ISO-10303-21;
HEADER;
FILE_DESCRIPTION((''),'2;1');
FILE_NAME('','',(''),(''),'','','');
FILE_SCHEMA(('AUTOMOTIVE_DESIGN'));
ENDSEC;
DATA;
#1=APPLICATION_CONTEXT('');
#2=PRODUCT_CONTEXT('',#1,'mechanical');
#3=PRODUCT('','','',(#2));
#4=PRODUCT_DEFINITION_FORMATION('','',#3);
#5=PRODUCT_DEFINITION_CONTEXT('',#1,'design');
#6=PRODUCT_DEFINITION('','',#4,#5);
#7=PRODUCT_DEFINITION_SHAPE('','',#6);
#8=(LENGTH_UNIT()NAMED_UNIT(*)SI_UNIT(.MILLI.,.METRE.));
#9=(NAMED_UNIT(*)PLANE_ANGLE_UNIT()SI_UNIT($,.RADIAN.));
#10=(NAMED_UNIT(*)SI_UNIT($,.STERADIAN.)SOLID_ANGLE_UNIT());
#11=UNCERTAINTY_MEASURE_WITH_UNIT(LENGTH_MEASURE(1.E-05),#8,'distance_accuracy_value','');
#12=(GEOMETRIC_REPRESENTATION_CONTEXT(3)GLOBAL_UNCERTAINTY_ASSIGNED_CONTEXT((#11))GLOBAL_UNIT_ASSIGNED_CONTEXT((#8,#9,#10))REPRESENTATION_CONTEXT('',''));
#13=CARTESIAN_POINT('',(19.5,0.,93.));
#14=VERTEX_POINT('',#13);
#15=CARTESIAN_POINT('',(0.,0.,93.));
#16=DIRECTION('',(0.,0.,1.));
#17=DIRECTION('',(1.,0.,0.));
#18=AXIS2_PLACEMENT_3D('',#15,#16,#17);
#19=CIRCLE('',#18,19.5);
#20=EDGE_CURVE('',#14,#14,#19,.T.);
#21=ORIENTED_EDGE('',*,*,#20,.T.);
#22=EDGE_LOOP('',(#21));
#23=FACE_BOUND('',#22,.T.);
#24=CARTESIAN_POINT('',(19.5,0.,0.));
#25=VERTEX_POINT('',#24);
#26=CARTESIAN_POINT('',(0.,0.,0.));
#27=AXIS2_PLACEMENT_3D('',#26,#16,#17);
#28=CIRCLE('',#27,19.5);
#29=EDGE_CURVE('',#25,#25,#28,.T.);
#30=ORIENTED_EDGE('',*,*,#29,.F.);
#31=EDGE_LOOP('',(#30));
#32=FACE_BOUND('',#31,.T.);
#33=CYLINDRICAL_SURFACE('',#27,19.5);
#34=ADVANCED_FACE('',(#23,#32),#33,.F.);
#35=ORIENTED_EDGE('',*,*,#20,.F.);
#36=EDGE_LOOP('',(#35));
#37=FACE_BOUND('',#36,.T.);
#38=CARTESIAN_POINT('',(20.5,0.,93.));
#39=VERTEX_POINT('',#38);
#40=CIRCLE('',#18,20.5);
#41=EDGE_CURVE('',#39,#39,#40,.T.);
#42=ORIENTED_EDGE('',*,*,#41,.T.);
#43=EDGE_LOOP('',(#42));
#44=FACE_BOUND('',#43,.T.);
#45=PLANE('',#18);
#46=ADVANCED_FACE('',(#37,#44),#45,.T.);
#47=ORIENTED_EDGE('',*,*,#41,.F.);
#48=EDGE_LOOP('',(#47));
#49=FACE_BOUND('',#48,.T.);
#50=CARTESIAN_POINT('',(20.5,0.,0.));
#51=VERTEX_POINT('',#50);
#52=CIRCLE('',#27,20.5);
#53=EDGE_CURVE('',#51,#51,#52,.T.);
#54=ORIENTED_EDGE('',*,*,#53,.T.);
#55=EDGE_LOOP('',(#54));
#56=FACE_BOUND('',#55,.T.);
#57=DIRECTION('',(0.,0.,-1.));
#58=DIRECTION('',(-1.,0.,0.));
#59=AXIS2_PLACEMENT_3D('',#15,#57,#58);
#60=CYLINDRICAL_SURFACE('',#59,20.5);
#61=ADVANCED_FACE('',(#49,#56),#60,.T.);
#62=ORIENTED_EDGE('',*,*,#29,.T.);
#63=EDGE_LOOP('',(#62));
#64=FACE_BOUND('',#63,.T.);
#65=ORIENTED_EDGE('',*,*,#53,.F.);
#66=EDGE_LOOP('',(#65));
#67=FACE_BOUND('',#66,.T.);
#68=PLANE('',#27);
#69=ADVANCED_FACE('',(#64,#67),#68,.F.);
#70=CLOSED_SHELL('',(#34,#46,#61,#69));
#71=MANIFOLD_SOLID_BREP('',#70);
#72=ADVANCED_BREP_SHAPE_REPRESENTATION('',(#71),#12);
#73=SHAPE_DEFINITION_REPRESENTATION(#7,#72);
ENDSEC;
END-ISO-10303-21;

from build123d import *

# Parameters (mm, degrees)
SKETCH1_R           = 20.5
BOSS_EXTRUDE1_DEPTH = 93
SKETCH2_R           = 19.5
CUT_EXTRUDE1_DEPTH  = 94


with BuildPart() as part:
    # Sketch1 → Boss-Extrude1 (new body)
    with BuildSketch(Plane.XY):
        Circle(SKETCH1_R)
    extrude(amount=BOSS_EXTRUDE1_DEPTH)

    # Sketch2 → Cut-Extrude1 (cut, through all)
    with BuildSketch(Plane.XY.offset(93)):
        Circle(SKETCH2_R)
    extrude(amount=-CUT_EXTRUDE1_DEPTH, mode=Mode.SUBTRACT)


solid = part.part
